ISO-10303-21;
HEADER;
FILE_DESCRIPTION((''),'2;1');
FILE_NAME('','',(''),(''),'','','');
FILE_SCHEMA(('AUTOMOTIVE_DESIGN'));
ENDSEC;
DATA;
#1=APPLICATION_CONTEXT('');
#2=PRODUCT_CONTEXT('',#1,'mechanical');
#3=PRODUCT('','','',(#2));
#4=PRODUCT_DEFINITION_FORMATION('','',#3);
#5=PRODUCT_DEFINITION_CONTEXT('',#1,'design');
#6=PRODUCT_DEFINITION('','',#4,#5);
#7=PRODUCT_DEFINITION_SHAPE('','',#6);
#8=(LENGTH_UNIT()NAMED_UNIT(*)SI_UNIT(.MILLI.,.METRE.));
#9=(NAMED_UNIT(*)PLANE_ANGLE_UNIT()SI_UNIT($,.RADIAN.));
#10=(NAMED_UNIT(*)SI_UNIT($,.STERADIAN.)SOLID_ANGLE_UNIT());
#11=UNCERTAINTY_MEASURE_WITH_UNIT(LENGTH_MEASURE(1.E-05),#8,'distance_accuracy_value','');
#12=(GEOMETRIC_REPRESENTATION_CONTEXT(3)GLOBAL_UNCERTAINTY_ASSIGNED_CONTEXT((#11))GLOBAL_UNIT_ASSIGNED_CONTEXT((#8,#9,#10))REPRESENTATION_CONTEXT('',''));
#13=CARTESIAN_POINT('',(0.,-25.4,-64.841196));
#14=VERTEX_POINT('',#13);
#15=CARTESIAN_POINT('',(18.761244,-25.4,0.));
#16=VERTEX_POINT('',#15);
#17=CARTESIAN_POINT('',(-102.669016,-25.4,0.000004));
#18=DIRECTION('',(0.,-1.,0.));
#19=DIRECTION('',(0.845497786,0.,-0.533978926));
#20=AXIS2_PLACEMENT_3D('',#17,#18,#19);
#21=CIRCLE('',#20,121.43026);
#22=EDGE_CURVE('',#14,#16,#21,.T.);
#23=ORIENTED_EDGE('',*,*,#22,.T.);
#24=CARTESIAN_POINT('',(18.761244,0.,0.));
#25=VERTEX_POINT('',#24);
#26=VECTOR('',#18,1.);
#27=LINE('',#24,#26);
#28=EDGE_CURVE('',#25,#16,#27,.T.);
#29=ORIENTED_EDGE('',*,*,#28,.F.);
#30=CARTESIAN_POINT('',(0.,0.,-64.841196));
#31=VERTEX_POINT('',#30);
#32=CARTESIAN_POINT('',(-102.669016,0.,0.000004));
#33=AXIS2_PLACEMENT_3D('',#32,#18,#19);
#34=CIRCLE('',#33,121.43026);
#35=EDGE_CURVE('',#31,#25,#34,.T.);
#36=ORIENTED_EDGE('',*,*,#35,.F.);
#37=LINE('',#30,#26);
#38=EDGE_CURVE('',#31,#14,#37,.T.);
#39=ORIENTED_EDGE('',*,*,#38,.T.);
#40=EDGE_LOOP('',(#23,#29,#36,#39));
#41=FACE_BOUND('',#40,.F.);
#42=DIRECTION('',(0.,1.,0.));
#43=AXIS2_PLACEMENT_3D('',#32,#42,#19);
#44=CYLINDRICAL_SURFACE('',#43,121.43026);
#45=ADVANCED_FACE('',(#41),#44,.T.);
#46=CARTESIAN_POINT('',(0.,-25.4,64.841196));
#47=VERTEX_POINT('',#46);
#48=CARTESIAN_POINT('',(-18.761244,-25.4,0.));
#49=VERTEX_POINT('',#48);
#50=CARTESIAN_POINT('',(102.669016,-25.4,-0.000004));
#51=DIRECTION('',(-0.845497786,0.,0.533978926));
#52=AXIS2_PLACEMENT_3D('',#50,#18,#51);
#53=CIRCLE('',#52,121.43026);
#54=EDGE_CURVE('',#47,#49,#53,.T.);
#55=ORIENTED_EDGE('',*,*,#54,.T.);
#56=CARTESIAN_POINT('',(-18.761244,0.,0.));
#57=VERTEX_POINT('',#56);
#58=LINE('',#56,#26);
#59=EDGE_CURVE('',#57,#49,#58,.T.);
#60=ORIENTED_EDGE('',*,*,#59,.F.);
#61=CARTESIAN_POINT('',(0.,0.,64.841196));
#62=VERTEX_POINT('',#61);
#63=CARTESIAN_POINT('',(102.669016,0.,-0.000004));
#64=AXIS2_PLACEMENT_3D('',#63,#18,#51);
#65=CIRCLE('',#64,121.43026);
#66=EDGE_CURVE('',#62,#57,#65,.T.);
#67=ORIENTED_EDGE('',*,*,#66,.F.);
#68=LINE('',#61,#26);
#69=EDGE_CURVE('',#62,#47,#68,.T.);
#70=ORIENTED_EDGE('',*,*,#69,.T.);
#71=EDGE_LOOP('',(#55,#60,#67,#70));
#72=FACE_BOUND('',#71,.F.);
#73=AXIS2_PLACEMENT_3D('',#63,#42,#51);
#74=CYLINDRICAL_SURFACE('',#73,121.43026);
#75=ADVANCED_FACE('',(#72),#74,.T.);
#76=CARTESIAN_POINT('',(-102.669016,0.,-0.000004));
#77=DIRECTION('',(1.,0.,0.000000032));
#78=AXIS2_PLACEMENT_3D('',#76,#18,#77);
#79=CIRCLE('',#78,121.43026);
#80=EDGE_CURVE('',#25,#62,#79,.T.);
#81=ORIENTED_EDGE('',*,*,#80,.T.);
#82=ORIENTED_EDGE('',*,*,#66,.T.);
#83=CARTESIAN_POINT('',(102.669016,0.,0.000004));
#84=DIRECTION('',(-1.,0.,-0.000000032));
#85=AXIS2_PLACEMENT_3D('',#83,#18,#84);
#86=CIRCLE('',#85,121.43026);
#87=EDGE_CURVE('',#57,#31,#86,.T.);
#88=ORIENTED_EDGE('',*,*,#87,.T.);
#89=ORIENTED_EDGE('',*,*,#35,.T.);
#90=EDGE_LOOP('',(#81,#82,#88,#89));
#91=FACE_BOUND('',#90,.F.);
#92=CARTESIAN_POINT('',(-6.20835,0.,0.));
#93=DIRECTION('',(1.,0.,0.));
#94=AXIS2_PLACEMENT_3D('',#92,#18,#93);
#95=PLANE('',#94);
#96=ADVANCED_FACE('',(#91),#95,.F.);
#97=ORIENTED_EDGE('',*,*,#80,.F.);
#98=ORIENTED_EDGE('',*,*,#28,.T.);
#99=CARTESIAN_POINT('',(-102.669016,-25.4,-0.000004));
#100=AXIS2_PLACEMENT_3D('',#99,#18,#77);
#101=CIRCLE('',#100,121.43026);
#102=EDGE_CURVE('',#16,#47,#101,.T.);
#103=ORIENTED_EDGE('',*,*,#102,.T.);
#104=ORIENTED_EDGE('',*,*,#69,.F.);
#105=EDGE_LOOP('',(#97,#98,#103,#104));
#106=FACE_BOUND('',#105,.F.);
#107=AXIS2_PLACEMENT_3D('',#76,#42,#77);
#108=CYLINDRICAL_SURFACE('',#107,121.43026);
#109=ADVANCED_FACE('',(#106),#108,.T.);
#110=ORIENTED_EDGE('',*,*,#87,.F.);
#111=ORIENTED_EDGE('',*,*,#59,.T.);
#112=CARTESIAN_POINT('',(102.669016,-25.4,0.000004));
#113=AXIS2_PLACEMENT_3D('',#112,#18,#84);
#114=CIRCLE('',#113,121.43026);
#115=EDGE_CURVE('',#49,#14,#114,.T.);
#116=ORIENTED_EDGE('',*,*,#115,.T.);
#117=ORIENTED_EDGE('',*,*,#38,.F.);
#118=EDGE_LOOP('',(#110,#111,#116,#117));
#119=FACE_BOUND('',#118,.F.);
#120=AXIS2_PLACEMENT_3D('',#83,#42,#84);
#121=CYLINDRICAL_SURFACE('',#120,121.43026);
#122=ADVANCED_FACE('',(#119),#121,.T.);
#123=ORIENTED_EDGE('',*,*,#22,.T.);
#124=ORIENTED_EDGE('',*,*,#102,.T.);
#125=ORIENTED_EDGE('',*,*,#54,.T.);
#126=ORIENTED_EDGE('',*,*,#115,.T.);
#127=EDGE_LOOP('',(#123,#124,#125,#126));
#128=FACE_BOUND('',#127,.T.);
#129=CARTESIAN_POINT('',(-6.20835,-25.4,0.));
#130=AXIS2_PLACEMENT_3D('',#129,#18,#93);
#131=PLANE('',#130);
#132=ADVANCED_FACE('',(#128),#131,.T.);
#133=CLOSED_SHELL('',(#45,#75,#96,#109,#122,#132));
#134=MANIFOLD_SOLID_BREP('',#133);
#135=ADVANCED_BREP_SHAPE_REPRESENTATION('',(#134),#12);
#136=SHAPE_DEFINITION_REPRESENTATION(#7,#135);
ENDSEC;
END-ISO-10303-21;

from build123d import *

# Parameters (mm, degrees)
F1_DEPTH = 25.4


with BuildPart() as f1:
    # F0 (on Front) → F1 (new body)
    with BuildSketch(Plane.XZ):
        with BuildLine():
            Line((0, -64.841196), (0, 64.841196))
            ThreePointArc((0, 64.841196), (-13.976672, 33.750426), (-18.761244, 0))
            ThreePointArc((-18.761244, 0), (-13.976672, -33.750426), (0, -64.841196))
        make_face()
        with BuildLine():
            ThreePointArc((18.761244, 0), (13.976672, 33.750426), (0, 64.841196))
            Line((0, 64.841196), (0, -64.841196))
            ThreePointArc((0, -64.841196), (13.976672, -33.750426), (18.761244, 0))
        make_face()
    extrude(amount=F1_DEPTH)


solid = f1.part
